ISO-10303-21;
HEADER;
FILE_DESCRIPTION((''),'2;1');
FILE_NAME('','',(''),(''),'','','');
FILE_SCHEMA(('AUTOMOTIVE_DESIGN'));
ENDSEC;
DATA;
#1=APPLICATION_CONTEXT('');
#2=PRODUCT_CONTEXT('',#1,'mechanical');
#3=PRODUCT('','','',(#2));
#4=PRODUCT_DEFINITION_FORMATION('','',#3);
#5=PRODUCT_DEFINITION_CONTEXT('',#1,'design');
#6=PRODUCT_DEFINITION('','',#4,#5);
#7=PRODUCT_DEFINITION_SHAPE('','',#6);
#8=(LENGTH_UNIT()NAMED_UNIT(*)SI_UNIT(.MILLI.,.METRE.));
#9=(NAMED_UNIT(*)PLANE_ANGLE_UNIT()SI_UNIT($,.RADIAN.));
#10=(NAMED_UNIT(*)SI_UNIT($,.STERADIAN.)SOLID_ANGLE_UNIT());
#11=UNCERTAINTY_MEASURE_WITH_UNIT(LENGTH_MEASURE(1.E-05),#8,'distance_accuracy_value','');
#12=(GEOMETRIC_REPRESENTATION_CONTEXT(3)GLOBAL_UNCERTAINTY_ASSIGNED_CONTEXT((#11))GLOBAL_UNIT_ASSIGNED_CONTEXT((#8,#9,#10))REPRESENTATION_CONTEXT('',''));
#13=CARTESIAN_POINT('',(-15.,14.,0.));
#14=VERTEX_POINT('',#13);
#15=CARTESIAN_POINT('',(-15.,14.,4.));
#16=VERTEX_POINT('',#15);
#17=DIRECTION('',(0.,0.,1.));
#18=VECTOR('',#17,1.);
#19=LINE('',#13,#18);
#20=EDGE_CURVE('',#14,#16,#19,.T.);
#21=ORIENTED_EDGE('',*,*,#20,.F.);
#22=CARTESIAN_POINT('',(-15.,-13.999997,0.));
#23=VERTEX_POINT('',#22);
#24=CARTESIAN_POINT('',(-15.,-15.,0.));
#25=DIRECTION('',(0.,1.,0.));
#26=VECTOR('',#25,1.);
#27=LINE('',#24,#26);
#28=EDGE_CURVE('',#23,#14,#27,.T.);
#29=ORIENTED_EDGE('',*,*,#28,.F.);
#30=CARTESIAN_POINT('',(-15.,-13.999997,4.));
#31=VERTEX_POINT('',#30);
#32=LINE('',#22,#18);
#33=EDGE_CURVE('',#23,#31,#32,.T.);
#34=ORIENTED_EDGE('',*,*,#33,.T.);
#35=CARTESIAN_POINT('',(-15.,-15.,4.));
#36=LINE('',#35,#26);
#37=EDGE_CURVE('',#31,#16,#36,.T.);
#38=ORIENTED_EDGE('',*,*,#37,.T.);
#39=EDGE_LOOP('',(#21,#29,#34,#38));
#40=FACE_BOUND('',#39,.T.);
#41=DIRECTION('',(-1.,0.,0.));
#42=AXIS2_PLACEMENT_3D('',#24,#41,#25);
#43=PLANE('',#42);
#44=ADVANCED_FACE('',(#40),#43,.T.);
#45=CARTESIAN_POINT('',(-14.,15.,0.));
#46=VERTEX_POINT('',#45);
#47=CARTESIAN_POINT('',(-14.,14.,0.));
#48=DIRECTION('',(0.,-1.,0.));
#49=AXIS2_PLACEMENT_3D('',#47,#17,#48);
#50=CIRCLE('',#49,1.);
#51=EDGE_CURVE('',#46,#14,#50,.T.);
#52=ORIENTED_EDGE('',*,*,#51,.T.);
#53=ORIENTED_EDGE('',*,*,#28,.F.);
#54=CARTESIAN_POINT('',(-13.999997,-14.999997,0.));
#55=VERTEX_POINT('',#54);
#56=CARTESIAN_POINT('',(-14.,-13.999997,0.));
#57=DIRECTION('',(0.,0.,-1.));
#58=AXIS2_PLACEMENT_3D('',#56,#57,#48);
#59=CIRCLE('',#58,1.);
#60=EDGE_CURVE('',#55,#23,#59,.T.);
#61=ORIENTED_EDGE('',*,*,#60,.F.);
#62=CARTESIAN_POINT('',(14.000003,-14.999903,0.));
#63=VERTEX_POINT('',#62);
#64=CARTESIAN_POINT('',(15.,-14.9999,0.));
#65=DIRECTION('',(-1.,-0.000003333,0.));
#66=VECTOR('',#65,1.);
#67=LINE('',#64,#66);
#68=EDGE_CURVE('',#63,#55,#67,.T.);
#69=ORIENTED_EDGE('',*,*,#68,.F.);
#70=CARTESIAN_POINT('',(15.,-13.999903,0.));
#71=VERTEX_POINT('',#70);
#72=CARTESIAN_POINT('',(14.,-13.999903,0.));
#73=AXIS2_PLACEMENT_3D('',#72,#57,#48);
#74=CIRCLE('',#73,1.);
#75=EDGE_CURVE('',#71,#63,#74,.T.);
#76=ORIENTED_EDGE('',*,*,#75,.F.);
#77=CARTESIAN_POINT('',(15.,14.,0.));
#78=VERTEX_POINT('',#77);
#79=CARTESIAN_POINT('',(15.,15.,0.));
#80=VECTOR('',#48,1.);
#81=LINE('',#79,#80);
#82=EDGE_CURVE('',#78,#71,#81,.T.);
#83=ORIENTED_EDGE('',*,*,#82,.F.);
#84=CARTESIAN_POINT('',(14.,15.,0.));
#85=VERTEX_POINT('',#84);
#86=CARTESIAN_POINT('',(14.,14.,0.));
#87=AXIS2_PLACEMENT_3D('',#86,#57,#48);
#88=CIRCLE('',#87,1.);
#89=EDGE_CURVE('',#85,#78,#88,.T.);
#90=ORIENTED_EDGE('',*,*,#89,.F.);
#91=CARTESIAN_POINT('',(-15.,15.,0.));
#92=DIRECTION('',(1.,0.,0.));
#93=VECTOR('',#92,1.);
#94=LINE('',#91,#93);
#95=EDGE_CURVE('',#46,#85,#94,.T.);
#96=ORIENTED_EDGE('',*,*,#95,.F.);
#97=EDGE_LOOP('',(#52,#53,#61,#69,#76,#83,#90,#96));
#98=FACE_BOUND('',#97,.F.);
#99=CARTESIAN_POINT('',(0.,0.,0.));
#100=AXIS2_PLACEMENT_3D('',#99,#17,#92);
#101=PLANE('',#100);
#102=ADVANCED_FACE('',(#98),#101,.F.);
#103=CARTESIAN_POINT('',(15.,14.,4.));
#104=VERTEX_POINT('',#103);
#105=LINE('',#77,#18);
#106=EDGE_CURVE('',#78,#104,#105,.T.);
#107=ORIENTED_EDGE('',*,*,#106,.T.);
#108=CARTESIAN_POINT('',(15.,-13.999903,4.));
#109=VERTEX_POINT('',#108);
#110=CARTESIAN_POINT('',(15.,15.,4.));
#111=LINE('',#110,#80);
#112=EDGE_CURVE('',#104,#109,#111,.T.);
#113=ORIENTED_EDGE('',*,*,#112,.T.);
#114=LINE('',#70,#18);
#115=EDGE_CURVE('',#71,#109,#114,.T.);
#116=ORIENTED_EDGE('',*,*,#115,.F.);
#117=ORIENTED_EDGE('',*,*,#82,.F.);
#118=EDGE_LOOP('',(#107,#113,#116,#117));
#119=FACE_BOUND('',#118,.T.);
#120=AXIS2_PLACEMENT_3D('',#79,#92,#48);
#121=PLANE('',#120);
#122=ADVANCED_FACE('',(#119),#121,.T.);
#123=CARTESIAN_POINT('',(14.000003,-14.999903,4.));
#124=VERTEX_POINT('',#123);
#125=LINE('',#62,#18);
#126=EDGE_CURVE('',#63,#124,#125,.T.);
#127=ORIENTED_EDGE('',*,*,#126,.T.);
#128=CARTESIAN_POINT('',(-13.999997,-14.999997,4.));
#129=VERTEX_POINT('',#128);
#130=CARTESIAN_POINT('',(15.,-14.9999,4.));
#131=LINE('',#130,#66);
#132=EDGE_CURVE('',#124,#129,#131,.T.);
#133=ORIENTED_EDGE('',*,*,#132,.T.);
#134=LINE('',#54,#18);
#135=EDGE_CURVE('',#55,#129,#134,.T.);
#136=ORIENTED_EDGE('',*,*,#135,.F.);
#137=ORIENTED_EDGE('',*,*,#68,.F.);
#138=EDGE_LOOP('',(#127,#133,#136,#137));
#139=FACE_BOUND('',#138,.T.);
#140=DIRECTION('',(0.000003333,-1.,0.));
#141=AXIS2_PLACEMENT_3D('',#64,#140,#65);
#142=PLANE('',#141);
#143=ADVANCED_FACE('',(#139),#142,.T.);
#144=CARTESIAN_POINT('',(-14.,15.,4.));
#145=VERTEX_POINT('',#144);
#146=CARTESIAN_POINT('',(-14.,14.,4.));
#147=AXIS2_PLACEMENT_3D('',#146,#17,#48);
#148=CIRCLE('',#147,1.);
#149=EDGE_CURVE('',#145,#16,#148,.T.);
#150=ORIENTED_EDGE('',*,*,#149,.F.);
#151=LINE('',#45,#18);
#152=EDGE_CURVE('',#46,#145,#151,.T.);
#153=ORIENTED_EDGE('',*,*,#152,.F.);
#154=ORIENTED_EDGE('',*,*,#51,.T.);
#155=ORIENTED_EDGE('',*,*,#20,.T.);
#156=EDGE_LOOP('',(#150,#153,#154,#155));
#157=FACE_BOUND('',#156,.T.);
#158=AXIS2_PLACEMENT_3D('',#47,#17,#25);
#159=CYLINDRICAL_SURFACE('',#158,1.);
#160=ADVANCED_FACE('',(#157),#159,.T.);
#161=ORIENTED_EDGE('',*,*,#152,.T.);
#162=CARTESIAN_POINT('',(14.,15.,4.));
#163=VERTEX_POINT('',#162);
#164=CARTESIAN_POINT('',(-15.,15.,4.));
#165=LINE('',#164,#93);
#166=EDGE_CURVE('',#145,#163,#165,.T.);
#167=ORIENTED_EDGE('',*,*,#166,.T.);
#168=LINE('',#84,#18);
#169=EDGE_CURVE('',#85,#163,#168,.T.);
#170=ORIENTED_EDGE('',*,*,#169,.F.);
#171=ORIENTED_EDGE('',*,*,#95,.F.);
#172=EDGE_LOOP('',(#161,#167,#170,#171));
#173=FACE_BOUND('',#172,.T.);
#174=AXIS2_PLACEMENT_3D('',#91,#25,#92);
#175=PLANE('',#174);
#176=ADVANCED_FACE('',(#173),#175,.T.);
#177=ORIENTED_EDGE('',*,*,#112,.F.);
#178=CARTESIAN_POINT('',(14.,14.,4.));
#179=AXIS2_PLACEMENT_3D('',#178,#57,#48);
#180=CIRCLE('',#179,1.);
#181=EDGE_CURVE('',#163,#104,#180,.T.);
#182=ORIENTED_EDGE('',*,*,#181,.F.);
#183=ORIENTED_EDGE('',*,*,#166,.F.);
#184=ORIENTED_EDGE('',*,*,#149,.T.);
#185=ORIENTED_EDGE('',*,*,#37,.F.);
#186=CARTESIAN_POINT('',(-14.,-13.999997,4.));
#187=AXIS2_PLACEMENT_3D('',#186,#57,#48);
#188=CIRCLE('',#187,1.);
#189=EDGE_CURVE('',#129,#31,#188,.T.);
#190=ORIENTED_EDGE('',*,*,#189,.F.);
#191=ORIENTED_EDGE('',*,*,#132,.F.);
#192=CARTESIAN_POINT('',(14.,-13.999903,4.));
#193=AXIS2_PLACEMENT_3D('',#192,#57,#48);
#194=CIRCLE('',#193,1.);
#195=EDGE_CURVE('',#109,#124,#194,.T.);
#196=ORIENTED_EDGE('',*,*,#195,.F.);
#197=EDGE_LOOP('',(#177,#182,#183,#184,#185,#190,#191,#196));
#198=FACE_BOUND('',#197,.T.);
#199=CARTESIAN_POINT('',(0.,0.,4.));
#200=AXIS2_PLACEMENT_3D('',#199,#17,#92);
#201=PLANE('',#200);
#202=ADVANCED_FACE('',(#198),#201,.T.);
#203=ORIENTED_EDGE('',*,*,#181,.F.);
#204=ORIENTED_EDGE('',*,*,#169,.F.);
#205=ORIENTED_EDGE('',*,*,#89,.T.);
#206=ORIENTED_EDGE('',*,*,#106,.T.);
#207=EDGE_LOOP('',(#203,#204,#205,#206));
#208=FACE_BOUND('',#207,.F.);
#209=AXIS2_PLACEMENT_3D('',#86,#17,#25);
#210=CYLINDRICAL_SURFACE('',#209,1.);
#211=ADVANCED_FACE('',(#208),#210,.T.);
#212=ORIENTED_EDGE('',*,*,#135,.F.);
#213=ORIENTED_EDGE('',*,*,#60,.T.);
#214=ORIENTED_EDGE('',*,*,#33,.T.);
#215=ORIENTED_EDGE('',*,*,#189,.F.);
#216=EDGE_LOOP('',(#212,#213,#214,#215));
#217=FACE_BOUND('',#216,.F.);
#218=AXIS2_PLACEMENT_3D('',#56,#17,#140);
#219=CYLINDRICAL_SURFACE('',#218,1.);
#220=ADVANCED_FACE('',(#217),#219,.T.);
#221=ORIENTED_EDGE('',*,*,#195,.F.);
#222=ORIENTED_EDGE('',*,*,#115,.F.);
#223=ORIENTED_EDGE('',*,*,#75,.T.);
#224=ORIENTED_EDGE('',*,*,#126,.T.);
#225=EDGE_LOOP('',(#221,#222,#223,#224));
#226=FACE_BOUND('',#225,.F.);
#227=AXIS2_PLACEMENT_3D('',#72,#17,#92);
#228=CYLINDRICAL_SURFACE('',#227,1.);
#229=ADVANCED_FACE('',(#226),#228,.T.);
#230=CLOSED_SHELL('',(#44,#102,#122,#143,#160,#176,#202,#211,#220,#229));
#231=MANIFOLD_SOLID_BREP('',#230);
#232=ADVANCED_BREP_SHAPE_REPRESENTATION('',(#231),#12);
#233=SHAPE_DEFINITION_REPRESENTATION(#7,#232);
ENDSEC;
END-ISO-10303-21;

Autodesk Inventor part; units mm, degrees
ref_plane "YZ Plane" through (0, 0, 0) normal (1, 0, 0) x (0, 1, 0)
ref_plane "XZ Plane" through (0, 0, 0) normal (0, 1, 0) x (-1, 0, 0)
ref_plane "XY Plane" through (0, 0, 0) normal (0, 0, 1) x (1, 0, 0)
sketch "Sketch1" plane through (0, 0, 0) normal (0, 0, 1) x (1, 0, 0)
  line L0 (0, 20.1746) -> (0, -21.4461) construction
  line L1 (-20.2028, 0) -> (20.1685, 0) construction
  line L2 (-15, 15) -> (15, 15)
  line L3 (15, 15) -> (15, -14.9999)
  line L4 (15, -14.9999) -> (-15, -15)
  line L5 (-15, -15) -> (-15, 15)
  point P0 (0, 0)
  dimension "d0" = 29.9999
  dimension "d1" = 15
  dimension "d2" = 29.9999
  dimension "d3" = 15
extrude "Extrusion1" add sketch "Sketch1" along normal blind 4
fillet "Fillet1" radius 1 4 edges at (15, 15, 2) (-15, 15, 2) (15, -14.9999, 2) (-15, -15, 2)
chamfer "Chamfer1" [suppressed]
equation "\"d0\" = height"
equation "\"d1\" = 0.5 * height"
equation "\"d2\" = width"
equation "\"d3\" = 0.5 * width"
equation "\"d4\" = thickness"
equation "\"d6\" = fillet"
equation "\"fillet\" = 1"
equation "\"chamfer\" = 0"
equation "\"thickness\" = 4"
equation "\"width\" = 29.9999"
equation "\"height\" = 29.9999"
properties part number "Plate Filleted Corners (mm) 29.9999 x 29.9999 x 4" material "Steel, Mild"
